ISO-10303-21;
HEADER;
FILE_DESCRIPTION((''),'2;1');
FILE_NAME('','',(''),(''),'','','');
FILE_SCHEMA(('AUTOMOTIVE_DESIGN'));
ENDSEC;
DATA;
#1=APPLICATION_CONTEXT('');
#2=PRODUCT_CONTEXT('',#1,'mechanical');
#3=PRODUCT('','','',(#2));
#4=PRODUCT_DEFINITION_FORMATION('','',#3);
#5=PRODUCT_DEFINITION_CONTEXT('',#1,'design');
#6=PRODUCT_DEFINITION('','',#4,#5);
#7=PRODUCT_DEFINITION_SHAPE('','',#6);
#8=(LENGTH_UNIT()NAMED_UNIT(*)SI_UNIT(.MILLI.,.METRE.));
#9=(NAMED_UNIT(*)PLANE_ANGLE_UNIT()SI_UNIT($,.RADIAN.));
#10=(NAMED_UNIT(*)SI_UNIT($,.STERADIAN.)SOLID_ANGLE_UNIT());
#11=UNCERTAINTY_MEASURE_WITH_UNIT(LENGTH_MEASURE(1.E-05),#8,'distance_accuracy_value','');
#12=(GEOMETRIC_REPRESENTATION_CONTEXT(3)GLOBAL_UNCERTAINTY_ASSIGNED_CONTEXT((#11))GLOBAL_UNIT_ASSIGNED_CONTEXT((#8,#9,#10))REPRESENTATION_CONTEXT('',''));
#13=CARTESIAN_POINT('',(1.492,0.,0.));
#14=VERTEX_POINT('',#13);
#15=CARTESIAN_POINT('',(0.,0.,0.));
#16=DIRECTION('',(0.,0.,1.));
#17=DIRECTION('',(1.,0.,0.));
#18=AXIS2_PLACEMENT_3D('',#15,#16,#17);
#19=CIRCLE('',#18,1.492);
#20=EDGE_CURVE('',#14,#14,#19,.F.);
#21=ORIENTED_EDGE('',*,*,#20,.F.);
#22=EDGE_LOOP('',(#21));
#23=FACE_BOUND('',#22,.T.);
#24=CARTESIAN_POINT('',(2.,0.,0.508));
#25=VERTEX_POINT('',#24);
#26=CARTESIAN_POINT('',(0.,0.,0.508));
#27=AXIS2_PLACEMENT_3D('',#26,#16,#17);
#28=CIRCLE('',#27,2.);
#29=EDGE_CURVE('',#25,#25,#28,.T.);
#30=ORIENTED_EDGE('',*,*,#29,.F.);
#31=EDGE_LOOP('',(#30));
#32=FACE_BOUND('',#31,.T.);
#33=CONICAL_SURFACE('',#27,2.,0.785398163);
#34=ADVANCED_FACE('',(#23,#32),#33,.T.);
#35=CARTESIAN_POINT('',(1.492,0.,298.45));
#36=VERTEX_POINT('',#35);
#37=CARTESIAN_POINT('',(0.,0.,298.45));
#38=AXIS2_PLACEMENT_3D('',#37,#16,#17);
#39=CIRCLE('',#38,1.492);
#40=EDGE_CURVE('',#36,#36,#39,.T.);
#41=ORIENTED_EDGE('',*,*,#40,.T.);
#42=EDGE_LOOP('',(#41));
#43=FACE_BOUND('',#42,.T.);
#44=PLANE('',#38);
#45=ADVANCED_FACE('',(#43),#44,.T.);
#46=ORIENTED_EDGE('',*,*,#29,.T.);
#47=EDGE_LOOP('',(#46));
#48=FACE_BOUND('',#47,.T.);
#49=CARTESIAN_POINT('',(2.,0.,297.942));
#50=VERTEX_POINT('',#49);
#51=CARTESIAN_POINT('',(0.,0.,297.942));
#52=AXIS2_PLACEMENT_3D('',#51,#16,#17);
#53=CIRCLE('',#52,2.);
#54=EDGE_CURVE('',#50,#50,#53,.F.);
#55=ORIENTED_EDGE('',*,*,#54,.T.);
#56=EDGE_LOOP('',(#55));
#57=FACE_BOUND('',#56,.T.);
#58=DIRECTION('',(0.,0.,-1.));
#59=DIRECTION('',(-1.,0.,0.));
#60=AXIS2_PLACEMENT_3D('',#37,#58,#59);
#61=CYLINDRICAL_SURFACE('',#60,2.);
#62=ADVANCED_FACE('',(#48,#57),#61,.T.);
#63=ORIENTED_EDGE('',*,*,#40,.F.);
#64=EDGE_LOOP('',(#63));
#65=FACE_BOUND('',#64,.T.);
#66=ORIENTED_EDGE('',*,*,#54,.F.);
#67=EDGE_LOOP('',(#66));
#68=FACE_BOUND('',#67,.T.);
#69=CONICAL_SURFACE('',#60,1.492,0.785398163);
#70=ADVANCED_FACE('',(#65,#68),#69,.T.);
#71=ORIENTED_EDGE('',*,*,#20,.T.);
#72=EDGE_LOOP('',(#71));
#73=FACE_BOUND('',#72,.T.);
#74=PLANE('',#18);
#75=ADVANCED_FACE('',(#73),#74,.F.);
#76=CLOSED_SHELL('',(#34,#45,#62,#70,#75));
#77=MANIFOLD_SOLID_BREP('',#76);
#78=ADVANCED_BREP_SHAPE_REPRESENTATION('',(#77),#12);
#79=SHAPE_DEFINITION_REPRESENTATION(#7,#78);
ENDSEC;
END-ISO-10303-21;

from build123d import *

# Parameters (mm, degrees)
SKETCH1_R           = 2
BOSS_EXTRUDE1_DEPTH = 298.45
CHAMFER1_SIZE       = 0.508


with BuildPart() as part:
    # Sketch1 → Boss-Extrude1 (new body)
    with BuildSketch(Plane.XY):
        Circle(SKETCH1_R)
    extrude(amount=BOSS_EXTRUDE1_DEPTH)

    # Chamfer1
    chamfer1_edges = [part.edges().sort_by_distance(p)[0] for p in [
        (-2, 0, 0),
        (-2, 0, 298.45),
    ]]
    chamfer(chamfer1_edges, length=CHAMFER1_SIZE)


solid = part.part
